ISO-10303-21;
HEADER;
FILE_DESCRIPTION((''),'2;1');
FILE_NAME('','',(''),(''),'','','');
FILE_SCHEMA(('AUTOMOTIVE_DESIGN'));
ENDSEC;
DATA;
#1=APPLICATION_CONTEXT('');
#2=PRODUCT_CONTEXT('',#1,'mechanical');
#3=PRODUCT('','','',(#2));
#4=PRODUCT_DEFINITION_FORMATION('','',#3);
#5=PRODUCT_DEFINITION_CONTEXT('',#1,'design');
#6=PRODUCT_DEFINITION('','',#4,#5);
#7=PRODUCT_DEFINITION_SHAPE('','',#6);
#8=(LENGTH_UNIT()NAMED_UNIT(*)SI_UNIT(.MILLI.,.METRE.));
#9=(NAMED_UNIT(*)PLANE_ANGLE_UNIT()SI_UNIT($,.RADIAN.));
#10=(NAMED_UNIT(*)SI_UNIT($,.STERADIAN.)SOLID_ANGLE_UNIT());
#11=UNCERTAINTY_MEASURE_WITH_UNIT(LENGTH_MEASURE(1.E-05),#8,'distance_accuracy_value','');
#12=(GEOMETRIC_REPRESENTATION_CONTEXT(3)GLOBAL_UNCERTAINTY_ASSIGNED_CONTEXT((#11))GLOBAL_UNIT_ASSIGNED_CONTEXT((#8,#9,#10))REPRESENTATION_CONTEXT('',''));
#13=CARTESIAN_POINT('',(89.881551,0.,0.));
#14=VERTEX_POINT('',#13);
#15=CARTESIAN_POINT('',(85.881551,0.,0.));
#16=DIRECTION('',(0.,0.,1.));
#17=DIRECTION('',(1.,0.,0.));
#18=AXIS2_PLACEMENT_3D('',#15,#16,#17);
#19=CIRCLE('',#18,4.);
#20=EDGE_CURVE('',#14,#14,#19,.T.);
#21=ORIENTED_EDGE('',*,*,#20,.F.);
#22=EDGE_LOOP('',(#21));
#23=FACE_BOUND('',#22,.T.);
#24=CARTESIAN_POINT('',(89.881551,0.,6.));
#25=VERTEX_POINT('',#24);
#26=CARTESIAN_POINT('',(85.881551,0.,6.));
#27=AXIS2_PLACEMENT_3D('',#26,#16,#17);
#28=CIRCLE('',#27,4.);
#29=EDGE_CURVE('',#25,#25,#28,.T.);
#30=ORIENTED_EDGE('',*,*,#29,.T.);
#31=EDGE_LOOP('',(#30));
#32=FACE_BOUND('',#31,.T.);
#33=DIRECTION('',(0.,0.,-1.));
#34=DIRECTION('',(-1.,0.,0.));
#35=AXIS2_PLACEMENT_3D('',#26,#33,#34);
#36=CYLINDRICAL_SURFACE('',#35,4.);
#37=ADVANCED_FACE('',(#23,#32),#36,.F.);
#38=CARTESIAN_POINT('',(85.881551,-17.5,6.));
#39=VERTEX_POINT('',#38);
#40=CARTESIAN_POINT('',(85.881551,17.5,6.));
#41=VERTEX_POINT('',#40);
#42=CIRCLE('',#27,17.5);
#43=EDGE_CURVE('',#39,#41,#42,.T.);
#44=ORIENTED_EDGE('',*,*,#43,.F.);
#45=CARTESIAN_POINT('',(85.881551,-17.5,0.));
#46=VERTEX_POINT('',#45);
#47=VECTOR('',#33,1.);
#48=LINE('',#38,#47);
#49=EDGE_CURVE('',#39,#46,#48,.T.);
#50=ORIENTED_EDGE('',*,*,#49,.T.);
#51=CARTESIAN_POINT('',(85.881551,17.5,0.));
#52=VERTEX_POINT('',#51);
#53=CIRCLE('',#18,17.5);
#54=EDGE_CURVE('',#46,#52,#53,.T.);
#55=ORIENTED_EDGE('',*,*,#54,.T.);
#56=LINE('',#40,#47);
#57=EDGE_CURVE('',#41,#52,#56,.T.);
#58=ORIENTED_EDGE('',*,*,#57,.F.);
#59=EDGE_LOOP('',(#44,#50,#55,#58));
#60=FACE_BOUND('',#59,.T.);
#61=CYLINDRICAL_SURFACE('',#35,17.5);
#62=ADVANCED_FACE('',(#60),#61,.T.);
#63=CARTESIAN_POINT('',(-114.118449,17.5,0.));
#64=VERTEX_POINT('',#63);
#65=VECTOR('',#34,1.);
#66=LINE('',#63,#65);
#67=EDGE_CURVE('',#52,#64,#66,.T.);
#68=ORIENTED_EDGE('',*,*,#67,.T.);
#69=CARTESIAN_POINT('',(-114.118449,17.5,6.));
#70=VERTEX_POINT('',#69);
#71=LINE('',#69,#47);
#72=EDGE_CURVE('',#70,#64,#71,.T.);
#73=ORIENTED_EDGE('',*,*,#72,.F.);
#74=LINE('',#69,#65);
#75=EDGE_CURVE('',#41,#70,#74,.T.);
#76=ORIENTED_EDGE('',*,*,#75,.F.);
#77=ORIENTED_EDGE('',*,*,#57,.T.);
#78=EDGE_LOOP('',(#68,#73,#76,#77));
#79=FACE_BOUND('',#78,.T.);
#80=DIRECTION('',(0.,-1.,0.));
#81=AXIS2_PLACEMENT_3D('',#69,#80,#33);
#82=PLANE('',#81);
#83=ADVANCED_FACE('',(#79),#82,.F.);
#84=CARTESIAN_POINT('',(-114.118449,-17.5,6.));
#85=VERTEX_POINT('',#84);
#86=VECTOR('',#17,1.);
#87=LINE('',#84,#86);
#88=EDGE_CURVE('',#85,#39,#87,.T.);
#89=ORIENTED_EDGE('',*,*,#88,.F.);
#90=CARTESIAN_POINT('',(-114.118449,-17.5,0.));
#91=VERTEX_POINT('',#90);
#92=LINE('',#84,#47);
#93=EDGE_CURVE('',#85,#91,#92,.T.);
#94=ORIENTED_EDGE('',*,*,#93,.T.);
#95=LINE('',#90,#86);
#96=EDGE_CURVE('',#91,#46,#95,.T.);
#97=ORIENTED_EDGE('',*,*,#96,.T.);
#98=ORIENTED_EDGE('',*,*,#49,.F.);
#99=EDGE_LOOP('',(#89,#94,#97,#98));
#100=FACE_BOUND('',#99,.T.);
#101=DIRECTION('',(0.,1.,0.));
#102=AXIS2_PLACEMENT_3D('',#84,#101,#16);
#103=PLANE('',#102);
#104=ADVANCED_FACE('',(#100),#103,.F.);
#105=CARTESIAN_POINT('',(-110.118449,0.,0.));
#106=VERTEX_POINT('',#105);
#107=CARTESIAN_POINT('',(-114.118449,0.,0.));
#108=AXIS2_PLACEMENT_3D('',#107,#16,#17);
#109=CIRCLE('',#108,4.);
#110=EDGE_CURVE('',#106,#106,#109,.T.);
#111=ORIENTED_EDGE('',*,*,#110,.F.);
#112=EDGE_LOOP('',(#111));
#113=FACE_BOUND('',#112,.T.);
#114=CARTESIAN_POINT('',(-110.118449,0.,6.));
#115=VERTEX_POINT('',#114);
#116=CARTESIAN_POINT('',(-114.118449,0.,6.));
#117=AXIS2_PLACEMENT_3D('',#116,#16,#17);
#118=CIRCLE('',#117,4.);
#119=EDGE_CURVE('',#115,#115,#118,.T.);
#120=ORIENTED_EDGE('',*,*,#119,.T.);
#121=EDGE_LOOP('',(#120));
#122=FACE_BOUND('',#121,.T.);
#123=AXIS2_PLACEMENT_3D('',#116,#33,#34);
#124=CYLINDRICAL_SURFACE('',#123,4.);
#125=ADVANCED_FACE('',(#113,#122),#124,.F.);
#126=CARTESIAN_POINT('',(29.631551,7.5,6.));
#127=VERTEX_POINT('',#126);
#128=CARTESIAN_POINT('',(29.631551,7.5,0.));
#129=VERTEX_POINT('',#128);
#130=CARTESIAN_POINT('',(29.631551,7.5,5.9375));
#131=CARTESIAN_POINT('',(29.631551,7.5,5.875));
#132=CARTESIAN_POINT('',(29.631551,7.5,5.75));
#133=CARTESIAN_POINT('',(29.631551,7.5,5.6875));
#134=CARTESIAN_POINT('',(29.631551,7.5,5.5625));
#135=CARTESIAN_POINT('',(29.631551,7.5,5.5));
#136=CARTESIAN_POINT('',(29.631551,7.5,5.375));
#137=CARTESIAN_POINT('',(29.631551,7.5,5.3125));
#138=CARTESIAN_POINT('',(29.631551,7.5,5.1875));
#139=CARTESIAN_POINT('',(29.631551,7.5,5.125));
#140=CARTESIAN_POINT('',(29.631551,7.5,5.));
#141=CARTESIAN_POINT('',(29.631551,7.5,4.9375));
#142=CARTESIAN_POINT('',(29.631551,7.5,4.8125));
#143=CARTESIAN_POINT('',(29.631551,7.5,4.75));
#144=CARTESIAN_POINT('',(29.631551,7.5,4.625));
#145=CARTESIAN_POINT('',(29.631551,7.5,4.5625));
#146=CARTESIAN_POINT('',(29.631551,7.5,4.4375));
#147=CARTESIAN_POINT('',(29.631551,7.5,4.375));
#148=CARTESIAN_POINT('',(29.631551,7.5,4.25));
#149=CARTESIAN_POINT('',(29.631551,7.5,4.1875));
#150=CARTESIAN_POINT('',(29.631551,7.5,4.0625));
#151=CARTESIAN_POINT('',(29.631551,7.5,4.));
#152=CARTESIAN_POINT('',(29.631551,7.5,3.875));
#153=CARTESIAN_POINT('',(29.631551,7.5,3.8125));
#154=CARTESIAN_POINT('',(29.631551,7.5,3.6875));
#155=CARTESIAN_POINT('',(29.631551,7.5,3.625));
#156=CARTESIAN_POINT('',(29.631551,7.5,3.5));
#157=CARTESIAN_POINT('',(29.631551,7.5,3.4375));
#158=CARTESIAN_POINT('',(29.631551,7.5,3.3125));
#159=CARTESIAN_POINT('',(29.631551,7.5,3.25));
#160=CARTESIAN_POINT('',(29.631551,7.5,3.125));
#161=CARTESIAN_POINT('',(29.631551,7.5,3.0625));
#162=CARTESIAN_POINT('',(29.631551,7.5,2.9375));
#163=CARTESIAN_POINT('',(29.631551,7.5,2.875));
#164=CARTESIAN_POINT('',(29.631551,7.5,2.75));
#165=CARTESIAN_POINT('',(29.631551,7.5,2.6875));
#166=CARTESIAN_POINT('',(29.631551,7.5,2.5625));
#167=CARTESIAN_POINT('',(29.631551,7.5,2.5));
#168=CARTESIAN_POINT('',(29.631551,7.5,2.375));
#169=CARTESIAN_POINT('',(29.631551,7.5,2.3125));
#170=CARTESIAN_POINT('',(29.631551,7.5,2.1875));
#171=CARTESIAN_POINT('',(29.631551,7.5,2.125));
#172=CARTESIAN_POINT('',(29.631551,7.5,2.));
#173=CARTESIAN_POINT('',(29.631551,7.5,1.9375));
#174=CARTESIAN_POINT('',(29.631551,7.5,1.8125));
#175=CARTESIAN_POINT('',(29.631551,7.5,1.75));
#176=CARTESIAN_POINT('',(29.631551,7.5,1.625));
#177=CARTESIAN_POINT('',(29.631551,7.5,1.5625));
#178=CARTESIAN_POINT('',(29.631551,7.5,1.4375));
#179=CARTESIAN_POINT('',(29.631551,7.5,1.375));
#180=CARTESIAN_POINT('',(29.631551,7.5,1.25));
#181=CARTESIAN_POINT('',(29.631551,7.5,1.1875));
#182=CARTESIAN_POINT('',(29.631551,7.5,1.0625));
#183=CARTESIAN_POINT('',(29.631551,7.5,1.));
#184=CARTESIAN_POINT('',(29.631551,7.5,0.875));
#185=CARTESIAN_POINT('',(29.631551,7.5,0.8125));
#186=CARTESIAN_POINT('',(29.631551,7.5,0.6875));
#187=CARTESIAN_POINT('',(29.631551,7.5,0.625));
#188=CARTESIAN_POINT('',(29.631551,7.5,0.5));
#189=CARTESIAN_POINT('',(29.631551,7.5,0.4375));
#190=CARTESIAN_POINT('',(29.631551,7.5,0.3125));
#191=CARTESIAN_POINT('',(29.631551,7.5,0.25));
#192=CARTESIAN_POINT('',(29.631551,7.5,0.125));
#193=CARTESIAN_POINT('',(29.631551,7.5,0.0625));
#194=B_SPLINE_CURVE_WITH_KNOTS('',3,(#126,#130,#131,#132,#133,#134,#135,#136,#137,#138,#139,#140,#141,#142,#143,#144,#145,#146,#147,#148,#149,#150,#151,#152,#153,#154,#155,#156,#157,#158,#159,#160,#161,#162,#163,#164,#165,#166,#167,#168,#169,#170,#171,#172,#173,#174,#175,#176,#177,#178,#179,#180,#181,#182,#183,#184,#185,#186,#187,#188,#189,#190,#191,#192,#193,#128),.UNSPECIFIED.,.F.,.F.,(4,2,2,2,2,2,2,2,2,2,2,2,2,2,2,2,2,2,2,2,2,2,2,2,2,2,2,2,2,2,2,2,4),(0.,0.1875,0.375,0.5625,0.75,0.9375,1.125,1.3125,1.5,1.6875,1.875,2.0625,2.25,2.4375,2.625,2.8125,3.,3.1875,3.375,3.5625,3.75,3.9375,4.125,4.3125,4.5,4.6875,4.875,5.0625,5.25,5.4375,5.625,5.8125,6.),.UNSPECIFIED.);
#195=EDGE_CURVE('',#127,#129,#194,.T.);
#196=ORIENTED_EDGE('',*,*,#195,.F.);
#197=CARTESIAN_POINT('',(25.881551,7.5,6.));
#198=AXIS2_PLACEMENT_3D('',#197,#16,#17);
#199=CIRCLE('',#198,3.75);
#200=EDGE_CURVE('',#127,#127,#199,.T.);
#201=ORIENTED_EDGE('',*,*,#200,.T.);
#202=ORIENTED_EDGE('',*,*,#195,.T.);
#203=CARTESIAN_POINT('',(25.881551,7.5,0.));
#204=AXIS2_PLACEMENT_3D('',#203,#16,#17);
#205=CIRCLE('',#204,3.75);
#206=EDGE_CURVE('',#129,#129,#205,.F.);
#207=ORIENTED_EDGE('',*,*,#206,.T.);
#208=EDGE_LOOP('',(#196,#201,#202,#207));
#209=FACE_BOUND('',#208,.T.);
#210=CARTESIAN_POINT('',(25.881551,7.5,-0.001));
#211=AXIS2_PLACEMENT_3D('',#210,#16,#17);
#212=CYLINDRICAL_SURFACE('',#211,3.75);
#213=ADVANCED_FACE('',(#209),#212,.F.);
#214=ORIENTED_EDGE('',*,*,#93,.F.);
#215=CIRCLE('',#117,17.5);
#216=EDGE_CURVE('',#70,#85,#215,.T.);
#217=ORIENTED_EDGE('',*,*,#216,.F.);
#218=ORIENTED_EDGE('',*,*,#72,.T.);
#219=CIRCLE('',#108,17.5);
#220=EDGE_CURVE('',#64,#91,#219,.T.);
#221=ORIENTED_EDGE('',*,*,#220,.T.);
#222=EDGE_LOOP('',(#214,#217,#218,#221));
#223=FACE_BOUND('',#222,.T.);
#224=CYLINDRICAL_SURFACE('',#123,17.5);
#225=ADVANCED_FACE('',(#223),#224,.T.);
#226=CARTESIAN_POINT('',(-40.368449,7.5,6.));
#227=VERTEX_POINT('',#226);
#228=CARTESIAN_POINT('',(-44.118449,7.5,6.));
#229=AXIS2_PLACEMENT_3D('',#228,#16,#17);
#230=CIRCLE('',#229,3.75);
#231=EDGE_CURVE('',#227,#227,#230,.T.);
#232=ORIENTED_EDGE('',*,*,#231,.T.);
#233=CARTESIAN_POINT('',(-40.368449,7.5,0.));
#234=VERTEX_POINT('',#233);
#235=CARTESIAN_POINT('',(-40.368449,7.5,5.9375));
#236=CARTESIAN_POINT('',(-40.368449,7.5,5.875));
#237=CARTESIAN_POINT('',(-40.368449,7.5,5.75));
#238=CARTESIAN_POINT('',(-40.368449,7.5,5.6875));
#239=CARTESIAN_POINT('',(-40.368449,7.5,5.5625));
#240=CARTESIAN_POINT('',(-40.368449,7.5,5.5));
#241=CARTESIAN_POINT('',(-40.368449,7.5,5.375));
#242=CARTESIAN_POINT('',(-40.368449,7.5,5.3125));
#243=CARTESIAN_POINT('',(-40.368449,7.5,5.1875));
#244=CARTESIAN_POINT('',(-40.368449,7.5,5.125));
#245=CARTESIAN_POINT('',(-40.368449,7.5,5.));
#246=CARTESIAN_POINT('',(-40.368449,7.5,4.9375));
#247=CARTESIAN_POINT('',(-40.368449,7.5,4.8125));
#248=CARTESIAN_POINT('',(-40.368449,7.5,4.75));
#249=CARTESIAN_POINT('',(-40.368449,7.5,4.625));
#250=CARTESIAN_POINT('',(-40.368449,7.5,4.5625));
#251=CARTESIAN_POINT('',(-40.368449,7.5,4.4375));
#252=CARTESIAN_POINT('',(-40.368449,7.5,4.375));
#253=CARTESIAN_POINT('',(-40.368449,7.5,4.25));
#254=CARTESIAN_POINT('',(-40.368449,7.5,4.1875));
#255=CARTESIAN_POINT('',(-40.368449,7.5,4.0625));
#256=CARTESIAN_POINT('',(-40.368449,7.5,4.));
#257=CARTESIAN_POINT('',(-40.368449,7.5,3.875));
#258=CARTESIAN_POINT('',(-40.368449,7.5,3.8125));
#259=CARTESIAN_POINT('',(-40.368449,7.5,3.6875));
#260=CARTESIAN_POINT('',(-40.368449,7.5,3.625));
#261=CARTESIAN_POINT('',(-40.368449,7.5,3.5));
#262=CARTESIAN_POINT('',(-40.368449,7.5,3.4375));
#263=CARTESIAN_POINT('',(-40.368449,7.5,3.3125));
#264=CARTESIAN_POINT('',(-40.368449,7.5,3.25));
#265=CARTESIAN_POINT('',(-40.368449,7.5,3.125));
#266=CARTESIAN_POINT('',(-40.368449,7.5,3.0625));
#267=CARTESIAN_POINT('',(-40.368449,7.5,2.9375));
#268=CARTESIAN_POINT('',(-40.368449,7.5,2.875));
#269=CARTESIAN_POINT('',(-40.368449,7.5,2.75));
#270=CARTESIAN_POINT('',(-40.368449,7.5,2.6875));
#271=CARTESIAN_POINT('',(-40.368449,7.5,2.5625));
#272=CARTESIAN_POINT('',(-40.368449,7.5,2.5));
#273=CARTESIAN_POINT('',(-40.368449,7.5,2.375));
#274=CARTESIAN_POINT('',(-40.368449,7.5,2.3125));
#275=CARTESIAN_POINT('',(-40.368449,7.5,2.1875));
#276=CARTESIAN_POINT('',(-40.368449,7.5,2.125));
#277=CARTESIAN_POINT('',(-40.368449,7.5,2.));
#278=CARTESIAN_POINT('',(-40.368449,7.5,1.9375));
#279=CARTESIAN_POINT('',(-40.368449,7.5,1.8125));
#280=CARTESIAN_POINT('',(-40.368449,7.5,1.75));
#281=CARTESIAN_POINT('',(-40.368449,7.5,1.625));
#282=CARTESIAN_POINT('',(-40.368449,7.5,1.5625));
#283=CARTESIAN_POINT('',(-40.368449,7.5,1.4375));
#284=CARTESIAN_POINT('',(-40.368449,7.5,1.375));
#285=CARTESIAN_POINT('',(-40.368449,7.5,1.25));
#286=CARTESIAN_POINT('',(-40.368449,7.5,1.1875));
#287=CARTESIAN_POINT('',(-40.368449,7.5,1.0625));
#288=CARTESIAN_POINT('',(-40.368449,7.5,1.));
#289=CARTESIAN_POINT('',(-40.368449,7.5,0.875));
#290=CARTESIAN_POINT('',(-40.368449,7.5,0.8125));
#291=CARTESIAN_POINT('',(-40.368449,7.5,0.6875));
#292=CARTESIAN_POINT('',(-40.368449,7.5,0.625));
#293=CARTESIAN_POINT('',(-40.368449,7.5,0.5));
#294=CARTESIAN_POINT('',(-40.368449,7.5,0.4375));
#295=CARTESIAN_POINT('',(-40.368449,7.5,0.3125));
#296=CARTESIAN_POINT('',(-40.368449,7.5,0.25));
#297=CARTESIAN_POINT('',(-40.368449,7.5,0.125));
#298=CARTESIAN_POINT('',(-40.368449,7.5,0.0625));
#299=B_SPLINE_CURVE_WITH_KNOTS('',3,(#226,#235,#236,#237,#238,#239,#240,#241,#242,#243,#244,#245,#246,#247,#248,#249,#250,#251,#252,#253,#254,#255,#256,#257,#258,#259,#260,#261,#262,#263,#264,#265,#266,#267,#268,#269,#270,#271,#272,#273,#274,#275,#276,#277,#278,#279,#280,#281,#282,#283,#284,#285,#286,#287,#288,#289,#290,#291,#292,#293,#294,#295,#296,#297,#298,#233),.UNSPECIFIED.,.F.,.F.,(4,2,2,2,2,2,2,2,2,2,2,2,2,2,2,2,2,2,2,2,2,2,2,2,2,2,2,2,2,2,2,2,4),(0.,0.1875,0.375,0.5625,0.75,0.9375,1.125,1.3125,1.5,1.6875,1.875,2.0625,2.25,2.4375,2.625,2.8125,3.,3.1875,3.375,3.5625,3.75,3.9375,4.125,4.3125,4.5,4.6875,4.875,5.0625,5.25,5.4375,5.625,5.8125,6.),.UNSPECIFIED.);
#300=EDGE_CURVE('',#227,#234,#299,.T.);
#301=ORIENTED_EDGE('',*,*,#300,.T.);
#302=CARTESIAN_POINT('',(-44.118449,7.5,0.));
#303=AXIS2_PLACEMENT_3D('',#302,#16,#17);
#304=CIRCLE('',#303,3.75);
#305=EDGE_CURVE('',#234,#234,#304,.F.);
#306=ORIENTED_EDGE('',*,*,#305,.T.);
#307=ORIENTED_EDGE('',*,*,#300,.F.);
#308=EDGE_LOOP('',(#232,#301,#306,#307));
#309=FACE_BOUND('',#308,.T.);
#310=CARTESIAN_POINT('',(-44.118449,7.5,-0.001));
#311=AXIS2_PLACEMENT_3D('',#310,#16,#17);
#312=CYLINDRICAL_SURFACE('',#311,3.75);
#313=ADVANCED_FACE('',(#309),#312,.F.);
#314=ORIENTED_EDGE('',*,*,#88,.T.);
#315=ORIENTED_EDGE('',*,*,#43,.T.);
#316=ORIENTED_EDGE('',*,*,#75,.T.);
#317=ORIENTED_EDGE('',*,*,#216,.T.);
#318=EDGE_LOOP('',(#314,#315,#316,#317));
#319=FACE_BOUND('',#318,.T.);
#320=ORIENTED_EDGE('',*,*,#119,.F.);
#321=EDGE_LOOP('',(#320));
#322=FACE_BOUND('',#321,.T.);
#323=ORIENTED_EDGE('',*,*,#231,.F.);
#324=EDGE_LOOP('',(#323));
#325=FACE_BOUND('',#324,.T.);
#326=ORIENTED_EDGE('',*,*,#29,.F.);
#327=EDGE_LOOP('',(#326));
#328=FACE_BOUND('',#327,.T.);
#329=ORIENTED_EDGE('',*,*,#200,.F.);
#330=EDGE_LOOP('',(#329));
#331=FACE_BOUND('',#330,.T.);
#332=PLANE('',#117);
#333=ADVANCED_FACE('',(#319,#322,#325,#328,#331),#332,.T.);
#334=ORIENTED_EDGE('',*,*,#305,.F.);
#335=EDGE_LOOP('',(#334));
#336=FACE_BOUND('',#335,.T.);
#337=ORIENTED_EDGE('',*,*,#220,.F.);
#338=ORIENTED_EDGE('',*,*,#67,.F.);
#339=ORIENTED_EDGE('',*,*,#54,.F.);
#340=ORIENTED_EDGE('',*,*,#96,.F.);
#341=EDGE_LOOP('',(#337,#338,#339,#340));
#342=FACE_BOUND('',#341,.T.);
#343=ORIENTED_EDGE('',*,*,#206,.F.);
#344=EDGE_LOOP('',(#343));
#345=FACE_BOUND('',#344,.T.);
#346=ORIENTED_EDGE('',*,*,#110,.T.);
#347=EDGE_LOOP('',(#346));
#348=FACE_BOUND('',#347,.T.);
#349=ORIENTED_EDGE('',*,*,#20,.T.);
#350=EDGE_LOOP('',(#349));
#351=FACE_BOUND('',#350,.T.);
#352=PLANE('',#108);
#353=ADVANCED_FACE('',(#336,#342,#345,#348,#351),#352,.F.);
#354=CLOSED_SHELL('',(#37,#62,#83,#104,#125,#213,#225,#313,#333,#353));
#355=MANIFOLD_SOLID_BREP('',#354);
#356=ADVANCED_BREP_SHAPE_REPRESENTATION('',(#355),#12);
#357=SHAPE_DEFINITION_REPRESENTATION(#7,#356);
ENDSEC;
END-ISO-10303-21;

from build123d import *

# Parameters (mm, degrees)
ESQUISSE1_R             = 4
BOSS_EXTRU_1_DEPTH      = 6
ENL_V_MAT_EXTRU_1_REACH = 134.912
ESQUISSE2_R             = 3.75


with BuildPart() as part:
    # Esquisse1 → Boss.-Extru.1 (new body)
    with BuildSketch(Plane.XY):
        with BuildLine():
            Line((-114.118449195, 17.5), (85.881550805, 17.5))
            ThreePointArc((85.881550805, 17.5), (103.381550805, 0), (85.881550805, -17.5))
            Line((85.881550805, -17.5), (-114.118449195, -17.5))
            ThreePointArc((-114.118449195, -17.5), (-131.618449195, 0), (-114.118449195, 17.5))
        make_face()
        with Locations((-114.118449195, 0)):
            Circle(ESQUISSE1_R, mode=Mode.SUBTRACT)
        with Locations((85.881550805, 0)):
            Circle(ESQUISSE1_R, mode=Mode.SUBTRACT)
    extrude(amount=BOSS_EXTRU_1_DEPTH)

    # Esquisse2 → Enlèv. mat.-Extru.1 (cut, up to next)
    with BuildSketch(Plane.XY.offset(6), mode=Mode.PRIVATE) as enl_v_mat_extru_1_sk1:
        with Locations((-44.118449195, 7.5)):
            Circle(ESQUISSE2_R)
    enl_v_mat_extru_1_tool1 = extrude(enl_v_mat_extru_1_sk1.sketch, amount=-ENL_V_MAT_EXTRU_1_REACH, mode=Mode.PRIVATE) & part.part
    # Esquisse2 → Enlèv. mat.-Extru.1 (cut, up to next)
    with BuildSketch(Plane.XY.offset(6), mode=Mode.PRIVATE) as enl_v_mat_extru_1_sk2:
        with Locations((25.881550805, 7.5)):
            Circle(ESQUISSE2_R)
    enl_v_mat_extru_1_tool2 = extrude(enl_v_mat_extru_1_sk2.sketch, amount=-ENL_V_MAT_EXTRU_1_REACH, mode=Mode.PRIVATE) & part.part
    add(enl_v_mat_extru_1_tool1.solids().sort_by_distance((-44.118449, 7.5, 6))[0], mode=Mode.SUBTRACT)
    add(enl_v_mat_extru_1_tool2.solids().sort_by_distance((25.881551, 7.5, 6))[0], mode=Mode.SUBTRACT)


solid = part.part
